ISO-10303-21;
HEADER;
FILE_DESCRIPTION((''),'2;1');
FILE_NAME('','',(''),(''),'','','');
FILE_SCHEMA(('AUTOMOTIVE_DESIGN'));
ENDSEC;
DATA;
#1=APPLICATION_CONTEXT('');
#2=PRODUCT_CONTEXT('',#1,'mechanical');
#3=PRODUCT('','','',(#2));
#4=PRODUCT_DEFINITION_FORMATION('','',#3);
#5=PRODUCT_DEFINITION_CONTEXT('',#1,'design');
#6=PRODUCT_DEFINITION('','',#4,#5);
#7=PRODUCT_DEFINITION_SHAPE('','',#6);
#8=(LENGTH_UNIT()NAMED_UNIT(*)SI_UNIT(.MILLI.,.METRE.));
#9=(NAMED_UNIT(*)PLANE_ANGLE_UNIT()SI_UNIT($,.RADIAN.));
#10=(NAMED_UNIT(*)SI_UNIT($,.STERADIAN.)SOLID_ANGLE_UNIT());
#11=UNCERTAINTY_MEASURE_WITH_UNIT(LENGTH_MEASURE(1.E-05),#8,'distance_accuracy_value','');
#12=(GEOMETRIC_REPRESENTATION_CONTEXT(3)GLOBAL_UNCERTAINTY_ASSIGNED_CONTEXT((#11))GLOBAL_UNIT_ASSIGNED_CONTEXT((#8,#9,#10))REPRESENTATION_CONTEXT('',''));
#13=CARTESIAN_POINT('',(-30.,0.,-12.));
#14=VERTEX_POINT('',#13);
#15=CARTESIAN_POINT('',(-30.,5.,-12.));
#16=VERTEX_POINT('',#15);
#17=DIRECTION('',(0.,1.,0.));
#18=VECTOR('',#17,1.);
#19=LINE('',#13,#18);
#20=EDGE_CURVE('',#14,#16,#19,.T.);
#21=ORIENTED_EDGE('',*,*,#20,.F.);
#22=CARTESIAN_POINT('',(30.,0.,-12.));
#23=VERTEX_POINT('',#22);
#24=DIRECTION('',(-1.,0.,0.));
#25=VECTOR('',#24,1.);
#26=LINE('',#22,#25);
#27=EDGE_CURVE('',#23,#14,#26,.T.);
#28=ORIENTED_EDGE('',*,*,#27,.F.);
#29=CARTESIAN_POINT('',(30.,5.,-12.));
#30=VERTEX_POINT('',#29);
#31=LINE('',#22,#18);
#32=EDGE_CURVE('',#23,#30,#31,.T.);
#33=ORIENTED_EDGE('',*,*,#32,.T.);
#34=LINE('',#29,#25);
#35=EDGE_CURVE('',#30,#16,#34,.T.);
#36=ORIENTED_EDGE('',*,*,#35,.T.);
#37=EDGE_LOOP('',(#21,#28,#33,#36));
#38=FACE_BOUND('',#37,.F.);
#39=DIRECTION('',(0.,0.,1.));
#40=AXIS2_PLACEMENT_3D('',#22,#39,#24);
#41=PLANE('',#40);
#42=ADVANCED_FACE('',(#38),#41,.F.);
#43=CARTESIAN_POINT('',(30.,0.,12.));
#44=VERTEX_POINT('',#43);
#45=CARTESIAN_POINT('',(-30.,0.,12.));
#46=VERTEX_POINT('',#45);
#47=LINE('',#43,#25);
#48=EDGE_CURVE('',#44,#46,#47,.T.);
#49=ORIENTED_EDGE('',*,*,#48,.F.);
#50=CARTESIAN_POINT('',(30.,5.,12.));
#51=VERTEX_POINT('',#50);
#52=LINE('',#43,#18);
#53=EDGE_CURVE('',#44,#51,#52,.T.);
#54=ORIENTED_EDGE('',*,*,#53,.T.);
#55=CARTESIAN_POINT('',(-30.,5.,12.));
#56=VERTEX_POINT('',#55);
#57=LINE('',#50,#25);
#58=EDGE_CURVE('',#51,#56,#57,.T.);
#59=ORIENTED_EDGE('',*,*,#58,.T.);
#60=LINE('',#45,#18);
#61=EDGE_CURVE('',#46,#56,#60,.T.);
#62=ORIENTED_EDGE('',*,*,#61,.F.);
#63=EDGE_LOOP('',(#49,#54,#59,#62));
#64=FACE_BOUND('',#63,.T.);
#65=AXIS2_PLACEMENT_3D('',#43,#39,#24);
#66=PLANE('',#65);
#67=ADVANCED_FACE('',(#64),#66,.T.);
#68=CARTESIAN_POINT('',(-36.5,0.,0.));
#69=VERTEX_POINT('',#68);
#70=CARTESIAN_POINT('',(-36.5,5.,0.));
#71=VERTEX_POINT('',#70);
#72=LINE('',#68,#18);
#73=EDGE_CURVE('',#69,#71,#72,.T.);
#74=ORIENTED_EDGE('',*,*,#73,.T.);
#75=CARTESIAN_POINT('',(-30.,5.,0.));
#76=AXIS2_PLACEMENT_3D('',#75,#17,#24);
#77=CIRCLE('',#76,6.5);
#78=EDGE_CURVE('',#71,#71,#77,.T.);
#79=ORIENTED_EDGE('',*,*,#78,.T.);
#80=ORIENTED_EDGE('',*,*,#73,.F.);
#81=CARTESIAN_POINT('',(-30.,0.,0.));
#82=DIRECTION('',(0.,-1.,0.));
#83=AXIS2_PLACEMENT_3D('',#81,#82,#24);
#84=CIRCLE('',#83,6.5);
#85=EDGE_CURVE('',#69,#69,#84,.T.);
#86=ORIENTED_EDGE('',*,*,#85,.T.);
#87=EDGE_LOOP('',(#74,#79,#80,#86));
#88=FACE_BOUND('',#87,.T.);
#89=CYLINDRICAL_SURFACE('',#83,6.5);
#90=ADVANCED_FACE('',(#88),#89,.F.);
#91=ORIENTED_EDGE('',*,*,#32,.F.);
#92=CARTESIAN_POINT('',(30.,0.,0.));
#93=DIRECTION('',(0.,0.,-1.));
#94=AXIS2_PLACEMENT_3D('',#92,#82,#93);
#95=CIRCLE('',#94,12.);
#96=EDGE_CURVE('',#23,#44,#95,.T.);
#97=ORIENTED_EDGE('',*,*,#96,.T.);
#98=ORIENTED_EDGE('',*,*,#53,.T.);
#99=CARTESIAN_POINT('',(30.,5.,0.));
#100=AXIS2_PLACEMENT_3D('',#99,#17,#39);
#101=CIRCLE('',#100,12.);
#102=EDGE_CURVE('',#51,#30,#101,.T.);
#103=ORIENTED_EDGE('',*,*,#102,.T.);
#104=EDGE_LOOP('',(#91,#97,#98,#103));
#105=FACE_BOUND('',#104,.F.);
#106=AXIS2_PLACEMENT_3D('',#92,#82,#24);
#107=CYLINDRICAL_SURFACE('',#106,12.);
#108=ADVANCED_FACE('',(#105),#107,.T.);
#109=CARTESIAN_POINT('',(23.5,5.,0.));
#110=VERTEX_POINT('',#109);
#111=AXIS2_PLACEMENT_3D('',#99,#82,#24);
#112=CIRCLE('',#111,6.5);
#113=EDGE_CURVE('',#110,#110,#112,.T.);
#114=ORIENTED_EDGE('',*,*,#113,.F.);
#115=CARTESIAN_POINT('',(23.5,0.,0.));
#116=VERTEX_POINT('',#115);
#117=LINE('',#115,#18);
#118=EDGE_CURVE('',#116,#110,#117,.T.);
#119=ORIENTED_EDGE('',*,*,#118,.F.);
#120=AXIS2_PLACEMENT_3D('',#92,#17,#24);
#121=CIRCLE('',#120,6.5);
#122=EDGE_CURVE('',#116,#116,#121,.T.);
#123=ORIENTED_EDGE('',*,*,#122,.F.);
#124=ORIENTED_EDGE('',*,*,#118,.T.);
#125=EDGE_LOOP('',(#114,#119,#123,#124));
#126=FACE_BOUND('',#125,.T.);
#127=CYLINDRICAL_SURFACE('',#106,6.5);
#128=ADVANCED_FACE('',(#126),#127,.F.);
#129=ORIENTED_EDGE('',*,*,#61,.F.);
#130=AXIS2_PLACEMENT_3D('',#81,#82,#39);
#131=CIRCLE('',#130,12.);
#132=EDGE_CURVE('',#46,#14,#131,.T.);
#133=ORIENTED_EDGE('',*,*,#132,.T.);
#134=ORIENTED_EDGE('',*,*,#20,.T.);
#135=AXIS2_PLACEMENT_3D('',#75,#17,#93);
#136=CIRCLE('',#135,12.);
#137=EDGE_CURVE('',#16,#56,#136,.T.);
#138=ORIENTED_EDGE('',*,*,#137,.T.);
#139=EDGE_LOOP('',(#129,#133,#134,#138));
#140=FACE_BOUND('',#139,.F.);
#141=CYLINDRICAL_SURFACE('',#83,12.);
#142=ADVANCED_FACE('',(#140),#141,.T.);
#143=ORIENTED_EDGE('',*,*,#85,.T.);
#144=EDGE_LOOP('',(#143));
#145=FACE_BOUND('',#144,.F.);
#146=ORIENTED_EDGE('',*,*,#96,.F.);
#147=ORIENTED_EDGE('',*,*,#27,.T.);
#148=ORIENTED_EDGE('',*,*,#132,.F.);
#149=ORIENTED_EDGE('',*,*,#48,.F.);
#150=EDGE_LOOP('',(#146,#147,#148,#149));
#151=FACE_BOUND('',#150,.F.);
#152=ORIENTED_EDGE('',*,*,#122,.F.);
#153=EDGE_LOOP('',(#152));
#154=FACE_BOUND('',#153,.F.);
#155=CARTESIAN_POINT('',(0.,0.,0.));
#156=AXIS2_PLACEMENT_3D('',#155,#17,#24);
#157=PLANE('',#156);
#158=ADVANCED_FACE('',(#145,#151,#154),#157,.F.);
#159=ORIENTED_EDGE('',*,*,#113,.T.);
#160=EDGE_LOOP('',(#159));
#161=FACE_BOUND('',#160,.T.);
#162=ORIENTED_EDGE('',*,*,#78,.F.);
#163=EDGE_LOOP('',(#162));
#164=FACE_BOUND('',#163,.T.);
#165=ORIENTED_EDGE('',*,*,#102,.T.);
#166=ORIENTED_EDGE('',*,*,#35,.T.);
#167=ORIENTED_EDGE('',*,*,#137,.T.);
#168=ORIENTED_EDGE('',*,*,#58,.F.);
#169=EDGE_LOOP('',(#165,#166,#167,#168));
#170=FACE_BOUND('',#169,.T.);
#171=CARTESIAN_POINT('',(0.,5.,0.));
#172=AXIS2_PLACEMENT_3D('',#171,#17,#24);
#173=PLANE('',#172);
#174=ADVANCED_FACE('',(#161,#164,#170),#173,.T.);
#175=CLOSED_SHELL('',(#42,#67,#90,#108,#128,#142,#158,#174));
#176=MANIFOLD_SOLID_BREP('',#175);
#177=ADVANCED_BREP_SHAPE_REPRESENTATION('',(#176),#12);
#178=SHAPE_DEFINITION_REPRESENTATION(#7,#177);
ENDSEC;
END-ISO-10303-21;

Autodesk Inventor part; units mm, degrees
ref_plane "YZ Plane" through (0, 0, 0) normal (1, 0, 0) x (0, 1, 0)
ref_plane "XZ Plane" through (0, 0, 0) normal (0, 1, 0) x (-1, 0, 0)
ref_plane "XY Plane" through (0, 0, 0) normal (0, 0, 1) x (1, 0, 0)
sketch "Sketch1" plane through (0, 0, 0) normal (0, 1, 0) x (-1, 0, 0)
  circle A0 centre (30, 0) radius 12
  circle A1 centre (-30, 0) radius 12
  line L0 (-30, 12) -> (30, 12)
  line L1 (-30, -12) -> (30, -12)
  circle A2 centre (30, 0) radius 6.5
  circle A3 centre (-30, 0) radius 6.5
  line L2 (58.8, 0) -> (-58.8, 0) projected
  line L3 (2.5, -9) -> (-2.5, -9)
  line L4 (-2.5, -9) -> (-2.5, -4)
  line L5 (-2.5, -4) -> (2.5, -4)
  line L6 (2.5, -4) -> (2.5, -9)
  line L7 (2.5, 9) -> (-2.5, 9)
  line L8 (-2.5, 9) -> (-2.5, 4)
  line L9 (-2.5, 4) -> (2.5, 4)
  line L10 (2.5, 4) -> (2.5, 9)
  point P0 (0, 0)
  point P1 (0, 12)
  point P2 (0, -9)
  dimension "d0" = 60
  dimension "d1" = 24
  dimension "d2" = 13
  dimension "d5" = 5
  dimension "d6" = 5
  dimension "d10" = 4
extrude "Extrusion2" add sketch "Sketch1" along normal blind 5 contours L2 A2 A0 | A0 L2 A2 | A0 L2 A1 L0 | L1 A1 L2 A0 | A1 L2 A3 | A1 L2 A3 | L3 L4 L5 L6 | L10 L9 L8 L7
equation "\"d1\" = sa_diameter"
equation "\"d2\" = bb_outer_diameter"
equation "\"d5\" = b_mat_thickness"
equation "\"d6\" = b_mat_thickness"
equation "\"d10\" = 0.8 * b_mat_thickness"
equation "\"d8\" = b_mat_thickness"
equation "\"sa_diameter\" = 24"
equation "\"bb_outer_diameter\" = 13"
equation "\"b_mat_thickness\" = 5"
properties part number "Middle_leg_b"
